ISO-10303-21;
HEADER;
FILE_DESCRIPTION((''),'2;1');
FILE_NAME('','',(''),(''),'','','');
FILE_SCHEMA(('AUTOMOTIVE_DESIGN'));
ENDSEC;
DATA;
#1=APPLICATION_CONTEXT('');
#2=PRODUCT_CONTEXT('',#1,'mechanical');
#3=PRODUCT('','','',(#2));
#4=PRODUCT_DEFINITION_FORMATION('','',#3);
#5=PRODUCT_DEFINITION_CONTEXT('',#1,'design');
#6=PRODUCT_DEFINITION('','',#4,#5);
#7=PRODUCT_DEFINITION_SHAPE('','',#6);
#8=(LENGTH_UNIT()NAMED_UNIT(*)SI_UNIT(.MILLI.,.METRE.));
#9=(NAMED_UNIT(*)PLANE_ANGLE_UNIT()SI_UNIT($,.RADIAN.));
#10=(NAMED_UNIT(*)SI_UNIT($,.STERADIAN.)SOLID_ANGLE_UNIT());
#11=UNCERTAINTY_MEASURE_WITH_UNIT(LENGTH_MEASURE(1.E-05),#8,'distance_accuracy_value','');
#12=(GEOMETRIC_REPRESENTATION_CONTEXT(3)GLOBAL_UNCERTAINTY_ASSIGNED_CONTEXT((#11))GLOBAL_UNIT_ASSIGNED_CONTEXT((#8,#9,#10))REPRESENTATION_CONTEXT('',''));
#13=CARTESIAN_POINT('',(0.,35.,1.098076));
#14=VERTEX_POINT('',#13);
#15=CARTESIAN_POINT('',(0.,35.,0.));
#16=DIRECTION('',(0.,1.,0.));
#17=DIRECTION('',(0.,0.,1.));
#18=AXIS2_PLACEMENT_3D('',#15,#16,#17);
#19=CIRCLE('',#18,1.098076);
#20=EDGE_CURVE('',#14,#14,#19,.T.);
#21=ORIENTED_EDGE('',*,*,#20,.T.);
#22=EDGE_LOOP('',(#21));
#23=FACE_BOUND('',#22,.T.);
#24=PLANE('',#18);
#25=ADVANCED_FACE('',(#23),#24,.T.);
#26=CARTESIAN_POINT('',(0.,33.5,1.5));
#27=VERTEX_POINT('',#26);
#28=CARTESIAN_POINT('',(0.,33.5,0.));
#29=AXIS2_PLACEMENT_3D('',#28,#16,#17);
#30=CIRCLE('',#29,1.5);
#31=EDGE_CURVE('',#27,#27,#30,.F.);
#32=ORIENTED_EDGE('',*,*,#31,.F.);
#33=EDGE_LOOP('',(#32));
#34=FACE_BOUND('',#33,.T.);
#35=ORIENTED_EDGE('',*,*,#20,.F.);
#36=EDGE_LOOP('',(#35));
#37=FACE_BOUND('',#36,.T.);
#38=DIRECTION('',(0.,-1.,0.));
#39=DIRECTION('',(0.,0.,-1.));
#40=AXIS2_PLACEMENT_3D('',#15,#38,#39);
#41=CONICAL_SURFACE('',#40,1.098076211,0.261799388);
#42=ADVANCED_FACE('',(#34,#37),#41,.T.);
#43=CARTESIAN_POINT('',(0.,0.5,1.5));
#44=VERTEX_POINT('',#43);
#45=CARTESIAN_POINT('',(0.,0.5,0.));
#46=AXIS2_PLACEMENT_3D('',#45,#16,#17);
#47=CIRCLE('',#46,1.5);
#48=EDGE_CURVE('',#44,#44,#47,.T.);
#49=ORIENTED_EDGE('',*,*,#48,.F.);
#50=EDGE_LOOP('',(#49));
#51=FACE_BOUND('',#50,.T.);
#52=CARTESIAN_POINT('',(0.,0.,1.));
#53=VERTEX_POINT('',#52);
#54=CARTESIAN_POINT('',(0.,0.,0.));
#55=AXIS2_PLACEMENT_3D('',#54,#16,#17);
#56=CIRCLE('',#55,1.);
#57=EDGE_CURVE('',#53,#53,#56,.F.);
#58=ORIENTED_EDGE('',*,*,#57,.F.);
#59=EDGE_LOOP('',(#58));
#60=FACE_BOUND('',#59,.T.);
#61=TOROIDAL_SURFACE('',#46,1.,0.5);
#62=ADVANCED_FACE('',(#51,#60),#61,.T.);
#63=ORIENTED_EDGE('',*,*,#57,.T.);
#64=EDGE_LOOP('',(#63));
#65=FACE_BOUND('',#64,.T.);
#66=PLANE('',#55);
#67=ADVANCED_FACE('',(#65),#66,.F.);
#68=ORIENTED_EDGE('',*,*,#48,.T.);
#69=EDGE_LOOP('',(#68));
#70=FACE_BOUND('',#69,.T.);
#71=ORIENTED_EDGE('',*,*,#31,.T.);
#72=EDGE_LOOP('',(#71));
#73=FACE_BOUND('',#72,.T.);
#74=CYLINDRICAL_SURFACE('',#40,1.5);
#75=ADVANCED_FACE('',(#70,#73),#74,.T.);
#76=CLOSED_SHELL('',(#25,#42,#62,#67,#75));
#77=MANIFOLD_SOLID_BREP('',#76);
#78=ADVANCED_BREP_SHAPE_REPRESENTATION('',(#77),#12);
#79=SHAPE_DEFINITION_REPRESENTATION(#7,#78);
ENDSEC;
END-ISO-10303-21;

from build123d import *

# Parameters (mm, degrees)
SKETCH1_R           = 1.5
BOSS_EXTRUDE1_DEPTH = 35
CHAMFER1_SIZE       = 1.5
CHAMFER1_SIZE2      = 0.401923789
FILLET1_R           = 0.5


with BuildPart() as part:
    # Sketch1 → Boss-Extrude1 (new body)
    with BuildSketch(Plane(origin=(0, 0, 0), x_dir=(1, 0, 0), z_dir=(0, 1, 0))):
        with Locations(Location((0, 0, 0), (0, 0, 270))):
            Circle(SKETCH1_R)
    extrude(amount=BOSS_EXTRUDE1_DEPTH)

    # Chamfer1
    chamfer1_edges = [part.edges().sort_by_distance(p)[0] for p in [
        (0, 35, -1.5),
    ]]
    chamfer1_side = [part.faces().sort_by_distance(p)[0] for p in [
        (0, 17.5, -1.5),
    ]]
    chamfer(chamfer1_edges, length=CHAMFER1_SIZE, length2=CHAMFER1_SIZE2, reference=chamfer1_side[0])

    # Fillet1
    fillet1_edges = [part.edges().sort_by_distance(p)[0] for p in [
        (0, 0, -1.5),
    ]]
    fillet(fillet1_edges, radius=FILLET1_R)


solid = part.part
